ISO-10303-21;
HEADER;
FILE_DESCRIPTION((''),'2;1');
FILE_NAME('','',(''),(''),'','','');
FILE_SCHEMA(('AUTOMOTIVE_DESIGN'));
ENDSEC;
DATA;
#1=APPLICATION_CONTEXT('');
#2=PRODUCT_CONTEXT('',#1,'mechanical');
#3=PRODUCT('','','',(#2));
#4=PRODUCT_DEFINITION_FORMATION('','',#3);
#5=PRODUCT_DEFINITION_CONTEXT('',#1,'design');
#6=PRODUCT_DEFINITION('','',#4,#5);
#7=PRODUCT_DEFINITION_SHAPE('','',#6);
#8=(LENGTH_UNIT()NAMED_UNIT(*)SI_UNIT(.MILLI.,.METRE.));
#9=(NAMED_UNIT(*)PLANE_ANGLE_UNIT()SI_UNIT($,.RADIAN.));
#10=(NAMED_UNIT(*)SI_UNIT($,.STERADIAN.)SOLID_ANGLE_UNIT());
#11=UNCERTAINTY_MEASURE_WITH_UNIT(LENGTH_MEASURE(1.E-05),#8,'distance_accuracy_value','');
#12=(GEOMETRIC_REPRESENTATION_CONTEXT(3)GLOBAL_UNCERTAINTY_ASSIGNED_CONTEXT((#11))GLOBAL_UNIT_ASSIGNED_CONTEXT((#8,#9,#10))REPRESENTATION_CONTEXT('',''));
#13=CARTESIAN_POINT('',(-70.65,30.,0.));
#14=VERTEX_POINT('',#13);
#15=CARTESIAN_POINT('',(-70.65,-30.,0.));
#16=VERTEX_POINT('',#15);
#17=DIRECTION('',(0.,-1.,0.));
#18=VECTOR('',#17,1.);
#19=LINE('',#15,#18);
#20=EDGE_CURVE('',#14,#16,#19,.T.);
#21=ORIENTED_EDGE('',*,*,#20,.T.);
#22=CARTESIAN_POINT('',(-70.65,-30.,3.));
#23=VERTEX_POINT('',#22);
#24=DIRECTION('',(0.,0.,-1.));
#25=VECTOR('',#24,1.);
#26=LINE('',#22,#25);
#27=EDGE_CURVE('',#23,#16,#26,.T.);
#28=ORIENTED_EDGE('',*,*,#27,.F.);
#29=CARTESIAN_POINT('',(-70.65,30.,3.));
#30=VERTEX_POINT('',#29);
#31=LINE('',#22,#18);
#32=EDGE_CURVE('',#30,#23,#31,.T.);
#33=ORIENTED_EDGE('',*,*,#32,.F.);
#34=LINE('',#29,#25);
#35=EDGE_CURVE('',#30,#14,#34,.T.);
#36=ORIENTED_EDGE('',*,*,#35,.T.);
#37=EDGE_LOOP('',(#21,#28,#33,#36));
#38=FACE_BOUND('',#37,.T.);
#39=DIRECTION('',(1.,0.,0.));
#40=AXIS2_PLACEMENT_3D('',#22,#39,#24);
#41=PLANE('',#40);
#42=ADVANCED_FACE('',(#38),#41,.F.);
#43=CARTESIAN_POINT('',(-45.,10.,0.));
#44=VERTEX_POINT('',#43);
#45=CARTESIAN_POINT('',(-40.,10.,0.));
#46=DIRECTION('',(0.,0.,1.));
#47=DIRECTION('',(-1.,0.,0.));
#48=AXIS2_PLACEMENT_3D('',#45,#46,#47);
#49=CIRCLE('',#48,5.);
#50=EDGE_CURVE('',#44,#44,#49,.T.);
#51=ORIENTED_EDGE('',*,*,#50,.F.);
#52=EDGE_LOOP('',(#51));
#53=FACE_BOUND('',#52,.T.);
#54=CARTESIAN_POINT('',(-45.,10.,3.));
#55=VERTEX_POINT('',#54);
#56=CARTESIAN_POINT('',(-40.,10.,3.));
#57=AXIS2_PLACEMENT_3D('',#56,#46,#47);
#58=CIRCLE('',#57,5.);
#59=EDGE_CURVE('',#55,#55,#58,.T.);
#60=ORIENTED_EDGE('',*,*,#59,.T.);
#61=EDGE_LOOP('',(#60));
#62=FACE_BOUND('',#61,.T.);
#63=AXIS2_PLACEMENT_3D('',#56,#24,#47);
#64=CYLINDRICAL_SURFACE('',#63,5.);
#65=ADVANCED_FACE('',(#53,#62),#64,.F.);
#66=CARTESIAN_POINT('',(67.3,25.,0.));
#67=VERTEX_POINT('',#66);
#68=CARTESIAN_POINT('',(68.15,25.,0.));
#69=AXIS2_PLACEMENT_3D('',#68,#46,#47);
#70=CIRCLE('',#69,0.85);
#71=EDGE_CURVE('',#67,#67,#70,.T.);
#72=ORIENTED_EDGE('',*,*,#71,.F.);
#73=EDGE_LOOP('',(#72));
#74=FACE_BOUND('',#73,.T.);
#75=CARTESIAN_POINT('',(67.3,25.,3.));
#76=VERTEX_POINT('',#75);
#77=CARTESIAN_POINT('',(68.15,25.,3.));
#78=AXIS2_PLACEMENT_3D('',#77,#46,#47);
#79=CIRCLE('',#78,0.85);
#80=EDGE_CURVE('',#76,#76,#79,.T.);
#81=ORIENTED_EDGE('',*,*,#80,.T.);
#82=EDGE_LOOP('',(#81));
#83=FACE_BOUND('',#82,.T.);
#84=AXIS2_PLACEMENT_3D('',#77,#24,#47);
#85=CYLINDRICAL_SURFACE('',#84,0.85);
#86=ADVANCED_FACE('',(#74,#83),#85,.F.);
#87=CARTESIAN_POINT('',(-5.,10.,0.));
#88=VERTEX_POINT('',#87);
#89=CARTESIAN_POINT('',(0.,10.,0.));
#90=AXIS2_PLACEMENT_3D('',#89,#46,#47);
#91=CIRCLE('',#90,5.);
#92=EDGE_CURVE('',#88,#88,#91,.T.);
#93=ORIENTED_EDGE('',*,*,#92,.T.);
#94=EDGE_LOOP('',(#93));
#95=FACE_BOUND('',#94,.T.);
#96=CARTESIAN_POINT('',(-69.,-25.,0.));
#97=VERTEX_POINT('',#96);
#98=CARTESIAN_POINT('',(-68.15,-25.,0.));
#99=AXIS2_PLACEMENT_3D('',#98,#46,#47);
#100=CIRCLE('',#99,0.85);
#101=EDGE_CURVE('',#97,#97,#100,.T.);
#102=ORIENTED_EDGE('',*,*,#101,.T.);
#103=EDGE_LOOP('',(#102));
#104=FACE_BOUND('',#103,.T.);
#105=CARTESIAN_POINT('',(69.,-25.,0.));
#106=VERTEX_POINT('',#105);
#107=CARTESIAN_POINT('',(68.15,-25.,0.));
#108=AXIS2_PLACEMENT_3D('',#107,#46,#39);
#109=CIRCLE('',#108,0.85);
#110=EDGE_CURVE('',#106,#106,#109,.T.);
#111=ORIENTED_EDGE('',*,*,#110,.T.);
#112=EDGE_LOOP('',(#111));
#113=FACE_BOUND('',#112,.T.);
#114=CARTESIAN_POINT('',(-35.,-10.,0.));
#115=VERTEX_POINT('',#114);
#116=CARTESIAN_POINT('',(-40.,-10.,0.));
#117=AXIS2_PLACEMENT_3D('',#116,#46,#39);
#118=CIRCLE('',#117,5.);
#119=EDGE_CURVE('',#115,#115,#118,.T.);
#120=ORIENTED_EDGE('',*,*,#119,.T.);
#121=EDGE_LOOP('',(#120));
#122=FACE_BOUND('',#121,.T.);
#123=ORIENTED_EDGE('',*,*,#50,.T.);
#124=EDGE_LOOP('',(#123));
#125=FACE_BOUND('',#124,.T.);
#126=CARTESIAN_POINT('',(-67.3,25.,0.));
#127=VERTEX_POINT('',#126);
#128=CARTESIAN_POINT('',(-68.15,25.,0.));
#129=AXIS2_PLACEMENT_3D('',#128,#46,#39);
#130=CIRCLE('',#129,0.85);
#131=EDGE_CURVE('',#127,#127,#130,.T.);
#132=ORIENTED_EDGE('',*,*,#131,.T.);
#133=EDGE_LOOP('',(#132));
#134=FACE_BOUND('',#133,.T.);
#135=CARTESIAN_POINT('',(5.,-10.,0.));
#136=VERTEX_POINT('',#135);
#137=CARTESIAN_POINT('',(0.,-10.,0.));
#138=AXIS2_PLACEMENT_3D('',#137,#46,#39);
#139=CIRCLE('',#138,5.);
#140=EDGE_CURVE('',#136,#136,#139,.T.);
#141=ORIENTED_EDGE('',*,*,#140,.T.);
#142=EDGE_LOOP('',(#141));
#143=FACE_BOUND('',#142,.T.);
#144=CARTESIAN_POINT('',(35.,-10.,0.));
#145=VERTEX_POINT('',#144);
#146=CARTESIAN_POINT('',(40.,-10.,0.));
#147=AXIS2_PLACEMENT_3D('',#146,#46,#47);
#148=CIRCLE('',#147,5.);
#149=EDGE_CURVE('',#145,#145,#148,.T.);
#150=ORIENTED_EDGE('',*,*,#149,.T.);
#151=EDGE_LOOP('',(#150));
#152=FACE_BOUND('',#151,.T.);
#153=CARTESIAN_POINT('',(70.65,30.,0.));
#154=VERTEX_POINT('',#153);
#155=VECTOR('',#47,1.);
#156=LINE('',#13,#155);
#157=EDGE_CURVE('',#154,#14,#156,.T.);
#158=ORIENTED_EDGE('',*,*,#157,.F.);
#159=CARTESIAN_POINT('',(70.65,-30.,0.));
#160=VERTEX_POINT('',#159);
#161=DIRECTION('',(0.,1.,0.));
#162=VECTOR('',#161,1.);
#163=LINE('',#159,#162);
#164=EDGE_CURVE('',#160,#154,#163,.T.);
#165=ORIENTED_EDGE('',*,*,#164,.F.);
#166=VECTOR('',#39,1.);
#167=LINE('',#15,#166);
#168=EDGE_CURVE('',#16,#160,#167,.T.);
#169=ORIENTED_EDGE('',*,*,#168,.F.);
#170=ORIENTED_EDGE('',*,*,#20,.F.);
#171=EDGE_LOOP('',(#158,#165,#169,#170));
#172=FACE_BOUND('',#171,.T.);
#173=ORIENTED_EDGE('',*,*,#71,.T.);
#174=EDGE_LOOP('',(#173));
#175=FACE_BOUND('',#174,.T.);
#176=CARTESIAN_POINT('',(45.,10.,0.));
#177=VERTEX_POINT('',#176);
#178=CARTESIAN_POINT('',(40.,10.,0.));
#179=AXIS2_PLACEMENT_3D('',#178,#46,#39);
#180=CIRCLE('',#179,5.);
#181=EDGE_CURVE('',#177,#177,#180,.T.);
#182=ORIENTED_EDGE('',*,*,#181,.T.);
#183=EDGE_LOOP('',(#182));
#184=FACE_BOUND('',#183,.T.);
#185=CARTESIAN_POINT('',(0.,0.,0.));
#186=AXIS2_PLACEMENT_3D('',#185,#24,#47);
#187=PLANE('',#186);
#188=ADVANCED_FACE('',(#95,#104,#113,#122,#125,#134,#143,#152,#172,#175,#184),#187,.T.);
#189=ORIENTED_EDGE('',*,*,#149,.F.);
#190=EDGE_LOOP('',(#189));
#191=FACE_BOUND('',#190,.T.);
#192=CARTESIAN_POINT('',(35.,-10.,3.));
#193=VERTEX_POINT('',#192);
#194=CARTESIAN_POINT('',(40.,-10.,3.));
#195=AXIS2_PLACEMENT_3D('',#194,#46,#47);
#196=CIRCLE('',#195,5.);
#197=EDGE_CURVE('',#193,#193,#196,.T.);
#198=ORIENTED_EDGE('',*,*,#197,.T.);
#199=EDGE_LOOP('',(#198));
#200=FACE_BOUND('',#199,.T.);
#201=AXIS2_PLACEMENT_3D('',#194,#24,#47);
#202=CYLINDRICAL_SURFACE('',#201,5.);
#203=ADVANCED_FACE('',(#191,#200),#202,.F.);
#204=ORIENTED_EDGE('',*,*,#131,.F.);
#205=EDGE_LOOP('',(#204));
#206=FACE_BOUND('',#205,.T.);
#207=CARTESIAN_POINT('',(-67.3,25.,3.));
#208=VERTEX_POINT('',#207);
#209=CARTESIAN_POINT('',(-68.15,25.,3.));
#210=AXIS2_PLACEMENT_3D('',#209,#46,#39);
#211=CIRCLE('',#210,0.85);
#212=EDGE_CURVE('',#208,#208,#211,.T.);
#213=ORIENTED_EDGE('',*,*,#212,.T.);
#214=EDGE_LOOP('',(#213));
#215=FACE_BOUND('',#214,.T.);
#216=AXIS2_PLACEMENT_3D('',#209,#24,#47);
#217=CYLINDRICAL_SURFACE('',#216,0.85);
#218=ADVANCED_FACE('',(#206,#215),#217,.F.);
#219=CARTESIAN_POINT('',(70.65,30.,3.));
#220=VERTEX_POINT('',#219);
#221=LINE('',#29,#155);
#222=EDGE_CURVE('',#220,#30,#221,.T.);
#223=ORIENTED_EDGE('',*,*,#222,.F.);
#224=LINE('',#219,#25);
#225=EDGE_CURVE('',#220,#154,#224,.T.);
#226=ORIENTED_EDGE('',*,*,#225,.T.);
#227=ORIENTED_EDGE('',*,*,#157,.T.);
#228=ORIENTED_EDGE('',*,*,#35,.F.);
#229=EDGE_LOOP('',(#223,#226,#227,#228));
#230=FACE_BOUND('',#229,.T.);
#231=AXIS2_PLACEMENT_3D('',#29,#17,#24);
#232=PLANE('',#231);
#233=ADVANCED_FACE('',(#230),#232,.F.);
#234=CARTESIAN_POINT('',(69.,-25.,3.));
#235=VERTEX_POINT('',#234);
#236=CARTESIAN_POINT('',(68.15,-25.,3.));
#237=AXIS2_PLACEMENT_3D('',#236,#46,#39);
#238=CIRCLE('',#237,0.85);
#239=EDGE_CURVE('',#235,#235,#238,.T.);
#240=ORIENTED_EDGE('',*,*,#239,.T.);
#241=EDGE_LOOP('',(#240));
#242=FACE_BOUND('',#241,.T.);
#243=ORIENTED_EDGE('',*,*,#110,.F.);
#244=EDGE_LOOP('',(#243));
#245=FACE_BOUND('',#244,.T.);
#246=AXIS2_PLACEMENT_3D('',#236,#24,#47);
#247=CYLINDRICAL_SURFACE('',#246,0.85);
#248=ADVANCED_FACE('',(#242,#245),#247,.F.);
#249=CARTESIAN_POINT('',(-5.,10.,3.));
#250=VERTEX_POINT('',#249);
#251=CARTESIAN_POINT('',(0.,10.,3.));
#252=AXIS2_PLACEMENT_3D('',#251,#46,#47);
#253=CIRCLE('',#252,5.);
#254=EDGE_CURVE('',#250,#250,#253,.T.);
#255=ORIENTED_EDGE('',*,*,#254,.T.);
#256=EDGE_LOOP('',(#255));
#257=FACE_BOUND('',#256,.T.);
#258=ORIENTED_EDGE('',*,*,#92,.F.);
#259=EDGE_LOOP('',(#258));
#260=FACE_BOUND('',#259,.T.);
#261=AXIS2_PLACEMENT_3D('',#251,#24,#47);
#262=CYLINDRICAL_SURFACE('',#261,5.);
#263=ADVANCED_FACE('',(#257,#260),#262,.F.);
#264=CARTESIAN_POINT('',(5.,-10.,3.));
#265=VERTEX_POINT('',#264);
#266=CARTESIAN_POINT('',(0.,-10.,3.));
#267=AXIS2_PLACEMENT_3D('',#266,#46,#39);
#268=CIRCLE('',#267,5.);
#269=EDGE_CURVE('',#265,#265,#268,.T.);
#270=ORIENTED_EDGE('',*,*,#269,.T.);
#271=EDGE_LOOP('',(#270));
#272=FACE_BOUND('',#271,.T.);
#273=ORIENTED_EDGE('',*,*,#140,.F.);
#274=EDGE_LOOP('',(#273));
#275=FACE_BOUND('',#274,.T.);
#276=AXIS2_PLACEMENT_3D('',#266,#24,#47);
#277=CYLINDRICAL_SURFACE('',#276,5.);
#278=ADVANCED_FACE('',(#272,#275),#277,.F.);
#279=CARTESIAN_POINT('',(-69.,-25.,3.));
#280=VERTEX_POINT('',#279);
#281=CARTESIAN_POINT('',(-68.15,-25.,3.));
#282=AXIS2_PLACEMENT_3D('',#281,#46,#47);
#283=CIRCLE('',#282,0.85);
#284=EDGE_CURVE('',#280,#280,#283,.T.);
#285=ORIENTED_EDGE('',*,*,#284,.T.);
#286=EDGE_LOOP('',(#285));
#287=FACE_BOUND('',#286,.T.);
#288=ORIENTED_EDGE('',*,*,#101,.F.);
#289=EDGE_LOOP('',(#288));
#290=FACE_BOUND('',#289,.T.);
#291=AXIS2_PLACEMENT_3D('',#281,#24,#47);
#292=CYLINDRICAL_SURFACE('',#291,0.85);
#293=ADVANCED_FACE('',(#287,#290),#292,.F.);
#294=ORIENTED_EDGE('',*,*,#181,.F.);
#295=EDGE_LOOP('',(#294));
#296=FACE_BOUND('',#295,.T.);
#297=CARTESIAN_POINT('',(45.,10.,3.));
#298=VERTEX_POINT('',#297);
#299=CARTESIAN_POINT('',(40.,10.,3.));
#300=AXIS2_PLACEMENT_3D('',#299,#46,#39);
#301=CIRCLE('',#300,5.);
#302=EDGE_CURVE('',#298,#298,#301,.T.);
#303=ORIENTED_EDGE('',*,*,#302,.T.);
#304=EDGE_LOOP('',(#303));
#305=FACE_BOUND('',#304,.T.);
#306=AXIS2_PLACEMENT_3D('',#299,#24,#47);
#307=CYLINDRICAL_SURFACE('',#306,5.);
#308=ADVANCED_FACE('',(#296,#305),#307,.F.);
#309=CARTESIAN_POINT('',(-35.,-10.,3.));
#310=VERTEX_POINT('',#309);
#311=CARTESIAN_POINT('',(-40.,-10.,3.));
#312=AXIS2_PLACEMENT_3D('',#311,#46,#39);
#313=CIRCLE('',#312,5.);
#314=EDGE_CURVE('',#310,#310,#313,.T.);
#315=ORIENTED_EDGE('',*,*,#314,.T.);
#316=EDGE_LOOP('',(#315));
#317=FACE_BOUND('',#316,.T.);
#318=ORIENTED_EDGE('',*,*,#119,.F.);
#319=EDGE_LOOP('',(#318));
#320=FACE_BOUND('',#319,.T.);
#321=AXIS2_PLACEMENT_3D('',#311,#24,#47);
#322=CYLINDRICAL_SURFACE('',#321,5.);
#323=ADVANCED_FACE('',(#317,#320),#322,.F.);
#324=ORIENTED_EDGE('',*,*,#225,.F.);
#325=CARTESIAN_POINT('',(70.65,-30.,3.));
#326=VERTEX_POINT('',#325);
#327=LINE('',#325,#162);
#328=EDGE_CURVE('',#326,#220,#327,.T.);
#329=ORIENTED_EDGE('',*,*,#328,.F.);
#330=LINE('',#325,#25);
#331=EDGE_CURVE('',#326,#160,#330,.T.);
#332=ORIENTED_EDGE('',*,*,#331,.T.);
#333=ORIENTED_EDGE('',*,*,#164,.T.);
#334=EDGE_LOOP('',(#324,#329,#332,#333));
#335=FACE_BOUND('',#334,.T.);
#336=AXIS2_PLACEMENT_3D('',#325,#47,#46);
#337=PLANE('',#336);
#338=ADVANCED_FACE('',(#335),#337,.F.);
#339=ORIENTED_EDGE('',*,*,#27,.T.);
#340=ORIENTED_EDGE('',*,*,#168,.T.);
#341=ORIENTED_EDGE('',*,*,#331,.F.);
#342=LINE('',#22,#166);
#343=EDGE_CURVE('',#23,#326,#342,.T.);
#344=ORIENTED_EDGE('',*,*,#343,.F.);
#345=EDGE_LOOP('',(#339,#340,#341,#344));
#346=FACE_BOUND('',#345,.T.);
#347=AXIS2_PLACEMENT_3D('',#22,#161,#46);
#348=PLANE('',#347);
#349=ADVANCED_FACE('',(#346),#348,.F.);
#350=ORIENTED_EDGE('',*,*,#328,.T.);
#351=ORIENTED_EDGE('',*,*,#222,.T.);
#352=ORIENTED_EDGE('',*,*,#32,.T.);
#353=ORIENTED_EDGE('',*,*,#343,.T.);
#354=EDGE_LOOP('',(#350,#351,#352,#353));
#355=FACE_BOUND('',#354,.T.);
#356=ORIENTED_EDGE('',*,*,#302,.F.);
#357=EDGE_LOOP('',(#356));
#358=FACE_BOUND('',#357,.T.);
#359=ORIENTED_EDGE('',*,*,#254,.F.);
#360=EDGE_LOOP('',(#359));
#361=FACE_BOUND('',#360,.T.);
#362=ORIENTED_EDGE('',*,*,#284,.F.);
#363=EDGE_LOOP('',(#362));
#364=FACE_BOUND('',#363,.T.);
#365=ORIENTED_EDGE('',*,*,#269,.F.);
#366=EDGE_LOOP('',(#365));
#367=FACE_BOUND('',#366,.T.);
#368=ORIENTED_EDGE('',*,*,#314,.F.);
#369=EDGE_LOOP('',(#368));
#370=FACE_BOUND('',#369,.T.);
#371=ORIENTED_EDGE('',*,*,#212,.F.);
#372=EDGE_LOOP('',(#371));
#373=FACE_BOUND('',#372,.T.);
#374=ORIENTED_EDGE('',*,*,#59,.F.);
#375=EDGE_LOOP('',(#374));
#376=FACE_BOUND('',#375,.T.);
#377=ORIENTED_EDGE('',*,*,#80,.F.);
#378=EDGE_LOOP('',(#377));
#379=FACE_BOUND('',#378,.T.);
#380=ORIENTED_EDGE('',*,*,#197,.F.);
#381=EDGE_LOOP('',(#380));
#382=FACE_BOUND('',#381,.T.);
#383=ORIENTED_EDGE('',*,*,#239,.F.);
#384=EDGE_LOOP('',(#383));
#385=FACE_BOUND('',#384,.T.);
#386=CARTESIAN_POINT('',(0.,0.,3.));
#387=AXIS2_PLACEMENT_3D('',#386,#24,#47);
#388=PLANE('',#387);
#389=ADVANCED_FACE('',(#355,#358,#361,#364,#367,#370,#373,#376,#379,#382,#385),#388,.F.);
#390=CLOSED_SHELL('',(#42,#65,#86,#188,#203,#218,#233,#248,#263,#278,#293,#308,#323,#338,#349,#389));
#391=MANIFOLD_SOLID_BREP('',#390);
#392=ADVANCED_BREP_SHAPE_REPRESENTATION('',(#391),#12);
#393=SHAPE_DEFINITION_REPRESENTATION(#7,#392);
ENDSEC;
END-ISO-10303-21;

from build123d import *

# Parameters (mm, degrees)
SKETCH1_W           = 141.3
SKETCH1_H           = 60
SKETCH1_R           = 0.85
SKETCH1_R_2         = 5
BOSS_EXTRUDE1_DEPTH = 3


with BuildPart() as part:
    # Sketch1 → Boss-Extrude1 (new body)
    with BuildSketch(Plane.XY):
        Rectangle(SKETCH1_W, SKETCH1_H)
        with Locations((-68.15, 25)):
            Circle(SKETCH1_R, mode=Mode.SUBTRACT)
        with Locations(Location((-68.15, -25, 0), (0, 0, 180))):
            Circle(SKETCH1_R, mode=Mode.SUBTRACT)
        with Locations((68.15, -25)):
            Circle(SKETCH1_R, mode=Mode.SUBTRACT)
        with Locations(Location((68.15, 25, 0), (0, 0, 180))):
            Circle(SKETCH1_R, mode=Mode.SUBTRACT)
        with Locations((0, -10)):
            Circle(SKETCH1_R_2, mode=Mode.SUBTRACT)
        with Locations((-40, -10)):
            Circle(SKETCH1_R_2, mode=Mode.SUBTRACT)
        with Locations(Location((40, -10, 0), (0, 0, 180))):
            Circle(SKETCH1_R_2, mode=Mode.SUBTRACT)
        with Locations((40, 10)):
            Circle(SKETCH1_R_2, mode=Mode.SUBTRACT)
        with Locations(Location((0, 10, 0), (0, 0, 180))):
            Circle(SKETCH1_R_2, mode=Mode.SUBTRACT)
        with Locations(Location((-40, 10, 0), (0, 0, 180))):
            Circle(SKETCH1_R_2, mode=Mode.SUBTRACT)
    extrude(amount=BOSS_EXTRUDE1_DEPTH)


solid = part.part
